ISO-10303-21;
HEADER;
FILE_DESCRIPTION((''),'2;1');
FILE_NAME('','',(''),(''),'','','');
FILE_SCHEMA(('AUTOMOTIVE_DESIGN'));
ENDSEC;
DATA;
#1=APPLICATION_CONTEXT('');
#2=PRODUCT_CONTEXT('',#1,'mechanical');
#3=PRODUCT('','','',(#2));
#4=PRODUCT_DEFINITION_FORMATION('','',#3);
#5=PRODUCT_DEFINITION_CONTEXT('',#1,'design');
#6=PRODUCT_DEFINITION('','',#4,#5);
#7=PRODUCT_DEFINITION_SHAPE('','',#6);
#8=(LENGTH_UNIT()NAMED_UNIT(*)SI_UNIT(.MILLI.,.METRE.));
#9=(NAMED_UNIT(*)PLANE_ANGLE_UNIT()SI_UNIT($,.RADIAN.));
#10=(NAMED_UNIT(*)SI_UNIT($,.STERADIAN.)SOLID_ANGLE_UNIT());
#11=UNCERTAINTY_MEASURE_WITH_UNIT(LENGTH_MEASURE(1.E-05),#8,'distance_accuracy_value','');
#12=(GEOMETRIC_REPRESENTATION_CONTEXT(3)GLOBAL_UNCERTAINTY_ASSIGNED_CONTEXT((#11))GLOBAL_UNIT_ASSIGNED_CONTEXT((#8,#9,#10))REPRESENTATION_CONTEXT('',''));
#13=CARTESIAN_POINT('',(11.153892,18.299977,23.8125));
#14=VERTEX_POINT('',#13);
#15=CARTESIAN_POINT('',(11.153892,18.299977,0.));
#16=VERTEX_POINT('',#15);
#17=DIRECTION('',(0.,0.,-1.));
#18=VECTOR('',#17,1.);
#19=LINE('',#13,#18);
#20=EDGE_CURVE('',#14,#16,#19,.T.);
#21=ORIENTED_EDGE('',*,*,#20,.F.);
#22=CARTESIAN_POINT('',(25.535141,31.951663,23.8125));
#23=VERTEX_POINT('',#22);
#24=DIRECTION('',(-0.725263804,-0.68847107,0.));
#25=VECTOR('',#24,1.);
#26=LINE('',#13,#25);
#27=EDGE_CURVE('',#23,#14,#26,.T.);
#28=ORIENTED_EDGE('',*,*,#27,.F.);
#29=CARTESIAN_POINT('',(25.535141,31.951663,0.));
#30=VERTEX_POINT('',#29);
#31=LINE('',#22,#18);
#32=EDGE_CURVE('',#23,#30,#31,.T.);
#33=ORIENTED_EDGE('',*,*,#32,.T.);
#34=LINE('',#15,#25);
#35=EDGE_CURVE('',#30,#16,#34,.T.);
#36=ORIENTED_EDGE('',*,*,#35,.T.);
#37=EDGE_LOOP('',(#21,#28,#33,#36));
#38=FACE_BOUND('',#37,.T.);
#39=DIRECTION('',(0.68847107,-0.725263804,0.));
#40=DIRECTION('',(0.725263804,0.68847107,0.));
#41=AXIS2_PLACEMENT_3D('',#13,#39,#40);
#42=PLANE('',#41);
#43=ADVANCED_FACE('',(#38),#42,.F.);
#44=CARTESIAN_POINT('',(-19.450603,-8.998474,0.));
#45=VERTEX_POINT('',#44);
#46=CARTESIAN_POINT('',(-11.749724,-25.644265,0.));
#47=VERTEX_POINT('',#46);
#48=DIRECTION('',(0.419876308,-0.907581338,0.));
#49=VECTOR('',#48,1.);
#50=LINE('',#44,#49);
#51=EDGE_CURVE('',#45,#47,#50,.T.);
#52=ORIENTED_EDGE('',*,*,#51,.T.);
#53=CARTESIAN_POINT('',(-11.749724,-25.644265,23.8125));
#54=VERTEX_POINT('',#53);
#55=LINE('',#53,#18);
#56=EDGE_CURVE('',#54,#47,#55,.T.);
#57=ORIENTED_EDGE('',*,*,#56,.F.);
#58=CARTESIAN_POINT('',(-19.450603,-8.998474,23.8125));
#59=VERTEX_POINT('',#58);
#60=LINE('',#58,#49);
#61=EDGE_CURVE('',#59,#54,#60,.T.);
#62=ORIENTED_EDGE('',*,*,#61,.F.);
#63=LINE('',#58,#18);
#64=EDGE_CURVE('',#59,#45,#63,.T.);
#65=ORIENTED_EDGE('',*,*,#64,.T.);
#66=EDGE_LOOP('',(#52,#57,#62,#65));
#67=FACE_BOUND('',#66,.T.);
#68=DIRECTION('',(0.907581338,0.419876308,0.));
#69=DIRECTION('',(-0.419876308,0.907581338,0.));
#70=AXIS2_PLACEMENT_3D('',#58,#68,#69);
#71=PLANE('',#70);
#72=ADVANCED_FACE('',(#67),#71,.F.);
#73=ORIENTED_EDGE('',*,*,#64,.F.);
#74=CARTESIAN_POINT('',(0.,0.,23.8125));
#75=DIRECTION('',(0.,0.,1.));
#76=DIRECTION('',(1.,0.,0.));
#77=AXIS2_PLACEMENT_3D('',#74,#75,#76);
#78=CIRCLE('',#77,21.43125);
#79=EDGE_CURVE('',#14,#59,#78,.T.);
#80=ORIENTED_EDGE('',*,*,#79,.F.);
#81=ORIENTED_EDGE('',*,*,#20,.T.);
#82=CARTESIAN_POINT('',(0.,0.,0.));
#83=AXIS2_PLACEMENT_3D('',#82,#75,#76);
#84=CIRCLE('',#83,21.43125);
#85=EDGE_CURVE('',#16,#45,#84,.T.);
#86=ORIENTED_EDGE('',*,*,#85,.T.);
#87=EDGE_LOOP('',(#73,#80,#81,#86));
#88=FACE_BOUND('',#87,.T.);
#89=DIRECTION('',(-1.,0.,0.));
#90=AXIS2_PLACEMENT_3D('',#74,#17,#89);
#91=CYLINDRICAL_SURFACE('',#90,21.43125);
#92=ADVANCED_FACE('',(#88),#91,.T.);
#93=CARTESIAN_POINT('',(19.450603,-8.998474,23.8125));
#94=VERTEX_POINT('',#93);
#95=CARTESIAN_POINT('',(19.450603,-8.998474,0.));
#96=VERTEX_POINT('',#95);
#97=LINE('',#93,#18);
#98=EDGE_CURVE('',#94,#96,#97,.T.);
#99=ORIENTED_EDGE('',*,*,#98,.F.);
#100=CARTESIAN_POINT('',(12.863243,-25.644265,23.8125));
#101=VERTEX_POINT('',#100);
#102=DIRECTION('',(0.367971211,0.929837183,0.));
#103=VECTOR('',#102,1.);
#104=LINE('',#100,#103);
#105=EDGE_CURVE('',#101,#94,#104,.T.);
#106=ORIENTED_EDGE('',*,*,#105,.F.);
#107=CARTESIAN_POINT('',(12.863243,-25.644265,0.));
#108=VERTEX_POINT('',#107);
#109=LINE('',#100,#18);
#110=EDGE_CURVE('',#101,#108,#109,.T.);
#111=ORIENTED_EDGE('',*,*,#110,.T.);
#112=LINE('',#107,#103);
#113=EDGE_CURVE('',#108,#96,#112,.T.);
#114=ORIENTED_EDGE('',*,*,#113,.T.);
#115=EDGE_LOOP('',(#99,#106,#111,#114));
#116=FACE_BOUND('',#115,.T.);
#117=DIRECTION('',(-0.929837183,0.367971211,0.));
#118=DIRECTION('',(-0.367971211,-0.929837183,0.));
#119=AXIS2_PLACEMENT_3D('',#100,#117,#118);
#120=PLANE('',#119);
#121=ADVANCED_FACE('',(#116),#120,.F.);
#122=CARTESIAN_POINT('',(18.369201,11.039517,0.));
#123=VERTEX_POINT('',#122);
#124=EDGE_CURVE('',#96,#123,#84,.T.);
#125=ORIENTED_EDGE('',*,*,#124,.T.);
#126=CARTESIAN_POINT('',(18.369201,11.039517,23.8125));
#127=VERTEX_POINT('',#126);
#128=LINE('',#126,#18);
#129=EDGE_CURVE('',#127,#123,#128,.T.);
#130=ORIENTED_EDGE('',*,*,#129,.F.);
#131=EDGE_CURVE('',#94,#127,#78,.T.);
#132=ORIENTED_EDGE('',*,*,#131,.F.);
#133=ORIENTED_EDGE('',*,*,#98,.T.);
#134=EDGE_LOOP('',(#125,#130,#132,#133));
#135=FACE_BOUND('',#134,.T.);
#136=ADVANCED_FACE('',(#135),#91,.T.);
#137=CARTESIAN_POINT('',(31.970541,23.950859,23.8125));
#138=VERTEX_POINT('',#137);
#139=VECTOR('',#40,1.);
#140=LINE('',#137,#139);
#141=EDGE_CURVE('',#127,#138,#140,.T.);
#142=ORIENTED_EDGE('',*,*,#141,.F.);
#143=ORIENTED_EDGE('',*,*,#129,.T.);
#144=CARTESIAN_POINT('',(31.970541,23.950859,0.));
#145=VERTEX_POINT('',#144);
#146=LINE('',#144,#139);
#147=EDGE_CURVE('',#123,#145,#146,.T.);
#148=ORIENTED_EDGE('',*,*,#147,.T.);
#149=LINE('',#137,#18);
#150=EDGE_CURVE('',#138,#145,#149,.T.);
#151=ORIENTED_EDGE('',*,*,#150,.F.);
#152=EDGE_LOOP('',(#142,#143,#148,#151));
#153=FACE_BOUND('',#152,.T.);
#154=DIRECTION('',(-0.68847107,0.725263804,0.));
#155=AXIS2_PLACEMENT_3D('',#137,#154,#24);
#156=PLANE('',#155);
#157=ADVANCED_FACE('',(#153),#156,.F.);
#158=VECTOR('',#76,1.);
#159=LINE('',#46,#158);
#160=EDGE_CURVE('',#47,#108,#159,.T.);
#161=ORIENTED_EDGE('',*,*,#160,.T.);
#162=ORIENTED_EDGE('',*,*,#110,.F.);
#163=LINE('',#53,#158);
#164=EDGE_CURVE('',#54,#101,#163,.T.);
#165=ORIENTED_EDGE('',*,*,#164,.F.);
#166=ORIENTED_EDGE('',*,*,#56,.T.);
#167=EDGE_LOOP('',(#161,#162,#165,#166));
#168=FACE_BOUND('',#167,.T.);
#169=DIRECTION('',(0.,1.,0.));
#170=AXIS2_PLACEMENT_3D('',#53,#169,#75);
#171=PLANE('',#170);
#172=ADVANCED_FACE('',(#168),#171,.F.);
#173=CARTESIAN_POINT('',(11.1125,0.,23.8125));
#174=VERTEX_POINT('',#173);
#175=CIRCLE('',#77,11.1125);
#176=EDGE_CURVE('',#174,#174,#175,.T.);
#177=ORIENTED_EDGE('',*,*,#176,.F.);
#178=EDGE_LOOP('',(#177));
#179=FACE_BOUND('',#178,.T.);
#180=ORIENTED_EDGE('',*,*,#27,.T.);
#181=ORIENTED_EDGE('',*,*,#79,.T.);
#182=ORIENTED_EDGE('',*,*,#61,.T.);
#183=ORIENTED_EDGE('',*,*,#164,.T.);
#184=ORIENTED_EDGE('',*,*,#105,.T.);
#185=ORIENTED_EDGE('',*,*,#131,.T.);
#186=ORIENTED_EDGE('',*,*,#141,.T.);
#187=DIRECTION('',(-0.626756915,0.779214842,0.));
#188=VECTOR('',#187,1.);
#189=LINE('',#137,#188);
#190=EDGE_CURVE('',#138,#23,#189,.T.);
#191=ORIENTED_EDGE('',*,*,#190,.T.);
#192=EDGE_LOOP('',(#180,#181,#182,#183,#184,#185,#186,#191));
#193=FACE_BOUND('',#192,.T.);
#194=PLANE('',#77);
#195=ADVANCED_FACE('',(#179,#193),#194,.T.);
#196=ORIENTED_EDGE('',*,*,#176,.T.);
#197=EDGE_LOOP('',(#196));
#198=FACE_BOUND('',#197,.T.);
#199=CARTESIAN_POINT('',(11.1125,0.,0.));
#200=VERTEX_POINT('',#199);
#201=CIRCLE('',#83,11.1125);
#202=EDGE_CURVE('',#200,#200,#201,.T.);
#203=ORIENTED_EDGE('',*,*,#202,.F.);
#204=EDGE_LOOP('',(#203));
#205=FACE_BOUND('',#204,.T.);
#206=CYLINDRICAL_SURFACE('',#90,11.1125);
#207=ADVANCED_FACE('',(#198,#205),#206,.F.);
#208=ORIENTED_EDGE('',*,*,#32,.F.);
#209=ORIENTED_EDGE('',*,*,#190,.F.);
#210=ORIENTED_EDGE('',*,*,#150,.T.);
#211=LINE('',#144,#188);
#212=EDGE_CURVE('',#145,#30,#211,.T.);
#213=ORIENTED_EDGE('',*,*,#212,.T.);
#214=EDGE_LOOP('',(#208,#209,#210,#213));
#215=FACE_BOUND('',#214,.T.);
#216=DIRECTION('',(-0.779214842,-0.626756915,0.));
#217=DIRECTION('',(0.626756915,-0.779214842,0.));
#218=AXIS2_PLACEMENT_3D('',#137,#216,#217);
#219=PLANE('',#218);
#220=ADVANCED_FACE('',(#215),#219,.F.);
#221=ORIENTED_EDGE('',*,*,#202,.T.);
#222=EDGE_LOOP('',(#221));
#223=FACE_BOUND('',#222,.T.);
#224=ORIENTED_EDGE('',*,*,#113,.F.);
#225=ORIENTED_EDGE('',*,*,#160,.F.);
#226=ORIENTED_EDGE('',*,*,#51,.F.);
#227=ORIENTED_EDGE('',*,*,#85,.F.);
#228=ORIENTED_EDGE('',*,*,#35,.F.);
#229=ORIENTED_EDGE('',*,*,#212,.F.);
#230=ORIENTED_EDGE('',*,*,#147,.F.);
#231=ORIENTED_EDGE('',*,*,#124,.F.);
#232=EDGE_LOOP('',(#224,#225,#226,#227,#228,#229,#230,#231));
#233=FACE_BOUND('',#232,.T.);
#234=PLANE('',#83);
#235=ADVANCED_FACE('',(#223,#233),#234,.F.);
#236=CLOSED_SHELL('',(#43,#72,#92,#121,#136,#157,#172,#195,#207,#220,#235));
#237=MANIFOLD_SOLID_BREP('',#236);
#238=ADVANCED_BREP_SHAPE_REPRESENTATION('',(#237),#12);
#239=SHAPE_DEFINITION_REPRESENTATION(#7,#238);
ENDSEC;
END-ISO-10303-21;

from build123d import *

# Parameters (mm, degrees)
SKETCH1_R           = 11.1125
BOSS_EXTRUDE1_DEPTH = 23.8125


with BuildPart() as part:
    # Sketch1 → Boss-Extrude1 (new body)
    with BuildSketch(Plane.XY):
        with BuildLine():
            Line((-19.45060256, -8.998474127), (-11.749724448, -25.644265115))
            Line((-11.749724448, -25.644265115), (12.863242985, -25.644265115))
            Line((12.863242985, -25.644265115), (19.45060256, -8.998474127))
            ThreePointArc((19.45060256, -8.998474127), (21.400108774, 1.154911696), (18.369201048, 11.039516721))
            Line((18.369201048, 11.039516721), (31.970540917, 23.950858732))
            Line((31.970540917, 23.950858732), (25.535140583, 31.951663088))
            Line((25.535140583, 31.951663088), (11.153892049, 18.299977287))
            ThreePointArc((11.153892049, 18.299977287), (-14.265700604, 15.993381845), (-19.45060256, -8.998474127))
        make_face()
        Circle(SKETCH1_R, mode=Mode.SUBTRACT)
    extrude(amount=BOSS_EXTRUDE1_DEPTH)


solid = part.part
